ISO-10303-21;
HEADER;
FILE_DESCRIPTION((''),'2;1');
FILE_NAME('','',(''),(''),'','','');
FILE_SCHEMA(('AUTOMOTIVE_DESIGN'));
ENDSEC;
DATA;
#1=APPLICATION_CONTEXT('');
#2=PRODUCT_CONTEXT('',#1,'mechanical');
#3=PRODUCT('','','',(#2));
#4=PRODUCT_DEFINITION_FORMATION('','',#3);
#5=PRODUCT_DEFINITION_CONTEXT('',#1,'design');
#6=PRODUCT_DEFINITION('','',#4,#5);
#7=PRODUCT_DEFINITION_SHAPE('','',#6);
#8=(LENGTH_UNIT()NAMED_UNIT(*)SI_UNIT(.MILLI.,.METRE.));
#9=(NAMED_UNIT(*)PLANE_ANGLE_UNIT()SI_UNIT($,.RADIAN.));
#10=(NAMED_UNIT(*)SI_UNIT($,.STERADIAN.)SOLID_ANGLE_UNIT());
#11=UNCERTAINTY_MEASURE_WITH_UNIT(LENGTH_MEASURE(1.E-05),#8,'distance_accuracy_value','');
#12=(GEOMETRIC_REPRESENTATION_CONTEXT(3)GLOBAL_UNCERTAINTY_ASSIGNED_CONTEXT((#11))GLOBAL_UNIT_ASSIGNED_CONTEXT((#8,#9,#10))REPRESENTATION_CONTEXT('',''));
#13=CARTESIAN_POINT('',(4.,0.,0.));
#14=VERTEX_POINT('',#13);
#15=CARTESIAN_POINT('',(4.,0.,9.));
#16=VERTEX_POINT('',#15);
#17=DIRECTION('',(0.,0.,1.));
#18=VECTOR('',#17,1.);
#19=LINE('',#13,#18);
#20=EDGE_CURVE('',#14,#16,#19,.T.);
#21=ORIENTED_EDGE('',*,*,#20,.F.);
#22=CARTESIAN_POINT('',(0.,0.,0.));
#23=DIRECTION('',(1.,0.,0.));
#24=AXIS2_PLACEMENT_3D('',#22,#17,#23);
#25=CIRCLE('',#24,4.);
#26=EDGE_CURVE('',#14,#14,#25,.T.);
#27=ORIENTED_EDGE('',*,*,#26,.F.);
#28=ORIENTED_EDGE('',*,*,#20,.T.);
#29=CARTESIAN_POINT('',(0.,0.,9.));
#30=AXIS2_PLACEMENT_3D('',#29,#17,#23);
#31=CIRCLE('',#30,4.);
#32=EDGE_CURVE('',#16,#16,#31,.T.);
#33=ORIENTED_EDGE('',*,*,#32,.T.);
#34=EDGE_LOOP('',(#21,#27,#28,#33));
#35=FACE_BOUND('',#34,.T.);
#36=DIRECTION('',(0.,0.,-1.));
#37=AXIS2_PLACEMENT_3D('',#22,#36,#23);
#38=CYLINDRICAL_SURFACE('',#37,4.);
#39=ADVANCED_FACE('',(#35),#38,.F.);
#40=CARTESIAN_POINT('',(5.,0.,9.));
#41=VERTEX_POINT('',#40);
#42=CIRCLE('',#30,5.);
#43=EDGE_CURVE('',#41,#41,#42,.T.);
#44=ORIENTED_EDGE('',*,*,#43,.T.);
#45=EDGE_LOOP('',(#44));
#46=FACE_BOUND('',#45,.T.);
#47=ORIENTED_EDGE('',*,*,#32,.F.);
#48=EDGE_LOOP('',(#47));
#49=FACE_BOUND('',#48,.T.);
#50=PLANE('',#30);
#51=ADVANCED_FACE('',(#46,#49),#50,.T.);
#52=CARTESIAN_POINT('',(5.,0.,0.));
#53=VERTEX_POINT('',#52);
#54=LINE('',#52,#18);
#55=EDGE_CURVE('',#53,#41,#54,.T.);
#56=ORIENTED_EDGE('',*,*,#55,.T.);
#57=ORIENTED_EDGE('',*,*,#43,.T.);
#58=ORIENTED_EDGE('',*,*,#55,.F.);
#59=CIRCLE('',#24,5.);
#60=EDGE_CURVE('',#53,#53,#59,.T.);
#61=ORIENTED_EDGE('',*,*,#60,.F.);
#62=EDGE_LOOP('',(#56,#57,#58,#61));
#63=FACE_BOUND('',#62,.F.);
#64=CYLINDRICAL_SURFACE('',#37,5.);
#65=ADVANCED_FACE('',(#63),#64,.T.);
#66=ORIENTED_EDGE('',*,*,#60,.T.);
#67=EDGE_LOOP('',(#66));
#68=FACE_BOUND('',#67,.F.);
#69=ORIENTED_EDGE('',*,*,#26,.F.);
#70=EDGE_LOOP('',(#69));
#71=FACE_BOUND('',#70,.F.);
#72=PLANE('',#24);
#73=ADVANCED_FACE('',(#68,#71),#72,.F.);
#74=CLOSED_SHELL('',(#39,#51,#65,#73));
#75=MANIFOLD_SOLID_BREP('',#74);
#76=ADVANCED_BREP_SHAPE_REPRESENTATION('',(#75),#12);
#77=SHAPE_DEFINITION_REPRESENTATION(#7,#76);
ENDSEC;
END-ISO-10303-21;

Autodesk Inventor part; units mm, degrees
ref_plane "YZ Plane" through (0, 0, 0) normal (1, 0, 0) x (0, 1, 0)
ref_plane "XZ Plane" through (0, 0, 0) normal (0, 1, 0) x (-1, 0, 0)
ref_plane "XY Plane" through (0, 0, 0) normal (0, 0, 1) x (1, 0, 0)
sketch "Sketch1" plane through (0, 0, 0) normal (0, 0, 1) x (1, 0, 0)
  circle A0 centre (0, 0) radius 5
  circle A1 centre (0, 0) radius 4
  dimension "d0" = 10
  dimension "d1" = 8
extrude "Extrusion1" add sketch "Sketch1" along normal blind 9
properties part number "Junk_Wingspar" material "Rubber"
